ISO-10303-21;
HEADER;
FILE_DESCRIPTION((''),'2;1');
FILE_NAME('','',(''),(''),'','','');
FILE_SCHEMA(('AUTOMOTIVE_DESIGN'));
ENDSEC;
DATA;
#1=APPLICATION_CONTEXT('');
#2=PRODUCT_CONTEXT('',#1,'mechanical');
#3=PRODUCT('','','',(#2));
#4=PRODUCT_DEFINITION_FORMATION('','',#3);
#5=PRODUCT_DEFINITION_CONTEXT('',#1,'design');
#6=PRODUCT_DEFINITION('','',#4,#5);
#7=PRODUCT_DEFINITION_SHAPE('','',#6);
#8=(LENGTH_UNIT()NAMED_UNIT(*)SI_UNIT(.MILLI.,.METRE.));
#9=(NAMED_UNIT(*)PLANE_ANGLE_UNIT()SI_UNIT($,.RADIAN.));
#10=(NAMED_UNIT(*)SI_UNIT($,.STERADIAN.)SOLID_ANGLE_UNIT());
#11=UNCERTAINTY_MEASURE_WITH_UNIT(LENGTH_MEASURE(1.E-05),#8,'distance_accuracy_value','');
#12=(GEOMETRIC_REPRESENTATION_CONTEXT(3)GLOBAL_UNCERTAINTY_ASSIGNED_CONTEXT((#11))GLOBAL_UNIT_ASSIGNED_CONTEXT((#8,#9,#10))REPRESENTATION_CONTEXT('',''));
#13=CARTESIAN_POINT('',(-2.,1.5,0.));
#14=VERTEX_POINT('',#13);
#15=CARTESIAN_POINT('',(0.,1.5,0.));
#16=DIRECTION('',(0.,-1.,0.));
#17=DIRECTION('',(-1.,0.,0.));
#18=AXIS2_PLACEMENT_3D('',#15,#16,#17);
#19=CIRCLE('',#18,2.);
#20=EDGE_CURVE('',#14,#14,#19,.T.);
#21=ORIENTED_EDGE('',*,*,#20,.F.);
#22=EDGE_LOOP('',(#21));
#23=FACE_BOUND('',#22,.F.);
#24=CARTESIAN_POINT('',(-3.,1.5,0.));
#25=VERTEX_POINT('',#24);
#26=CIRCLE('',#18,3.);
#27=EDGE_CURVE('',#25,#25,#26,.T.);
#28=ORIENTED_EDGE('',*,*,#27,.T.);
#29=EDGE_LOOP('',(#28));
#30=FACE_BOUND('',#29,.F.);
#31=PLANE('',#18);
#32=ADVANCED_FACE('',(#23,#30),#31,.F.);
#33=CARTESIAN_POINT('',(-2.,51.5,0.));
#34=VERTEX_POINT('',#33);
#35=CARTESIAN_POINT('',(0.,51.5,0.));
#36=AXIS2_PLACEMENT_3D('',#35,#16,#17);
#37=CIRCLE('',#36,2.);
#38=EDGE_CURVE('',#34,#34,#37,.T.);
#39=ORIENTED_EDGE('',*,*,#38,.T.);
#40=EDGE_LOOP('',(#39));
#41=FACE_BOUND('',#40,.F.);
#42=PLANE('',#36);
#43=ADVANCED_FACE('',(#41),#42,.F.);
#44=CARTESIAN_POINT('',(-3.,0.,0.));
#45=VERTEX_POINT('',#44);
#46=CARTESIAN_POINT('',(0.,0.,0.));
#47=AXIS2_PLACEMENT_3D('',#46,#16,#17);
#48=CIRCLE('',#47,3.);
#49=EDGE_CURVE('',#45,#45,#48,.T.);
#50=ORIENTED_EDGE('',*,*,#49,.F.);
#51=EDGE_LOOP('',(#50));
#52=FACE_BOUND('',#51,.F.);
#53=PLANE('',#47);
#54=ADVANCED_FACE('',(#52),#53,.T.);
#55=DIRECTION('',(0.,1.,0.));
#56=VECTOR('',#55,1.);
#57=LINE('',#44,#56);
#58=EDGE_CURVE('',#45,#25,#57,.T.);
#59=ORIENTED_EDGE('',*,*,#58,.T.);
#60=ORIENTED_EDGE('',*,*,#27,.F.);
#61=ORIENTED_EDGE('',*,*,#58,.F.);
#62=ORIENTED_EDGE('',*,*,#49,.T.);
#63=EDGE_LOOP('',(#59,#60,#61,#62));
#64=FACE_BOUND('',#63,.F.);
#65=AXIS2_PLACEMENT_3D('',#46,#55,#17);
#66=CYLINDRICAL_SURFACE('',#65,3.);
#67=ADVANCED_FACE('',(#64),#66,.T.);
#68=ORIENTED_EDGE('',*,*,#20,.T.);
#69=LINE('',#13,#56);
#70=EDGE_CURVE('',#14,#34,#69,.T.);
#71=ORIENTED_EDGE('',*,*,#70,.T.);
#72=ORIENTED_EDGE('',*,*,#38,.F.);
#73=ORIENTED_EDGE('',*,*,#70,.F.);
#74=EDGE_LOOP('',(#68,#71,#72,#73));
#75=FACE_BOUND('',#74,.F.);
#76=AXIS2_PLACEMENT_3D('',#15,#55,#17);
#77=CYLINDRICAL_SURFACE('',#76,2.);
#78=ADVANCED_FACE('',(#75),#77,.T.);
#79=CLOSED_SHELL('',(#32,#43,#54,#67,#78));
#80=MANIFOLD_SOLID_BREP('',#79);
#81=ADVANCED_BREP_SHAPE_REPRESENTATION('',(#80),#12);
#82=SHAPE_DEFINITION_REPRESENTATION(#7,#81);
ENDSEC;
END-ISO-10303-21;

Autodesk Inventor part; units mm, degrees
ref_plane "YZ Plane" through (0, 0, 0) normal (1, 0, 0) x (0, 1, 0)
ref_plane "XZ Plane" through (0, 0, 0) normal (0, 1, 0) x (-1, 0, 0)
ref_plane "XY Plane" through (0, 0, 0) normal (0, 0, 1) x (1, 0, 0)
sketch "Sketch1" plane through (0, 0, 0) normal (0, 0, 1) x (1, 0, 0)
  line L0 (0, 0) -> (-3, 0)
  line L1 (-3, 0) -> (-3, 1.5)
  line L2 (-3, 1.5) -> (-2, 1.5)
  line L3 (-2, 1.5) -> (-2, 51.5)
  line L4 (-2, 51.5) -> (0, 51.5)
  line L5 (0, 51.5) -> (0, 0)
  dimension "d0" = 2
  dimension "d1" = 3
  dimension "d2" = 1.5
  dimension "d3" = 50
revolve "Revolution1" add sketch "Sketch1" angle 360 about axis through (0, 51.5, 0) along (0, -1, 0)
properties part number "4mmScrew"
